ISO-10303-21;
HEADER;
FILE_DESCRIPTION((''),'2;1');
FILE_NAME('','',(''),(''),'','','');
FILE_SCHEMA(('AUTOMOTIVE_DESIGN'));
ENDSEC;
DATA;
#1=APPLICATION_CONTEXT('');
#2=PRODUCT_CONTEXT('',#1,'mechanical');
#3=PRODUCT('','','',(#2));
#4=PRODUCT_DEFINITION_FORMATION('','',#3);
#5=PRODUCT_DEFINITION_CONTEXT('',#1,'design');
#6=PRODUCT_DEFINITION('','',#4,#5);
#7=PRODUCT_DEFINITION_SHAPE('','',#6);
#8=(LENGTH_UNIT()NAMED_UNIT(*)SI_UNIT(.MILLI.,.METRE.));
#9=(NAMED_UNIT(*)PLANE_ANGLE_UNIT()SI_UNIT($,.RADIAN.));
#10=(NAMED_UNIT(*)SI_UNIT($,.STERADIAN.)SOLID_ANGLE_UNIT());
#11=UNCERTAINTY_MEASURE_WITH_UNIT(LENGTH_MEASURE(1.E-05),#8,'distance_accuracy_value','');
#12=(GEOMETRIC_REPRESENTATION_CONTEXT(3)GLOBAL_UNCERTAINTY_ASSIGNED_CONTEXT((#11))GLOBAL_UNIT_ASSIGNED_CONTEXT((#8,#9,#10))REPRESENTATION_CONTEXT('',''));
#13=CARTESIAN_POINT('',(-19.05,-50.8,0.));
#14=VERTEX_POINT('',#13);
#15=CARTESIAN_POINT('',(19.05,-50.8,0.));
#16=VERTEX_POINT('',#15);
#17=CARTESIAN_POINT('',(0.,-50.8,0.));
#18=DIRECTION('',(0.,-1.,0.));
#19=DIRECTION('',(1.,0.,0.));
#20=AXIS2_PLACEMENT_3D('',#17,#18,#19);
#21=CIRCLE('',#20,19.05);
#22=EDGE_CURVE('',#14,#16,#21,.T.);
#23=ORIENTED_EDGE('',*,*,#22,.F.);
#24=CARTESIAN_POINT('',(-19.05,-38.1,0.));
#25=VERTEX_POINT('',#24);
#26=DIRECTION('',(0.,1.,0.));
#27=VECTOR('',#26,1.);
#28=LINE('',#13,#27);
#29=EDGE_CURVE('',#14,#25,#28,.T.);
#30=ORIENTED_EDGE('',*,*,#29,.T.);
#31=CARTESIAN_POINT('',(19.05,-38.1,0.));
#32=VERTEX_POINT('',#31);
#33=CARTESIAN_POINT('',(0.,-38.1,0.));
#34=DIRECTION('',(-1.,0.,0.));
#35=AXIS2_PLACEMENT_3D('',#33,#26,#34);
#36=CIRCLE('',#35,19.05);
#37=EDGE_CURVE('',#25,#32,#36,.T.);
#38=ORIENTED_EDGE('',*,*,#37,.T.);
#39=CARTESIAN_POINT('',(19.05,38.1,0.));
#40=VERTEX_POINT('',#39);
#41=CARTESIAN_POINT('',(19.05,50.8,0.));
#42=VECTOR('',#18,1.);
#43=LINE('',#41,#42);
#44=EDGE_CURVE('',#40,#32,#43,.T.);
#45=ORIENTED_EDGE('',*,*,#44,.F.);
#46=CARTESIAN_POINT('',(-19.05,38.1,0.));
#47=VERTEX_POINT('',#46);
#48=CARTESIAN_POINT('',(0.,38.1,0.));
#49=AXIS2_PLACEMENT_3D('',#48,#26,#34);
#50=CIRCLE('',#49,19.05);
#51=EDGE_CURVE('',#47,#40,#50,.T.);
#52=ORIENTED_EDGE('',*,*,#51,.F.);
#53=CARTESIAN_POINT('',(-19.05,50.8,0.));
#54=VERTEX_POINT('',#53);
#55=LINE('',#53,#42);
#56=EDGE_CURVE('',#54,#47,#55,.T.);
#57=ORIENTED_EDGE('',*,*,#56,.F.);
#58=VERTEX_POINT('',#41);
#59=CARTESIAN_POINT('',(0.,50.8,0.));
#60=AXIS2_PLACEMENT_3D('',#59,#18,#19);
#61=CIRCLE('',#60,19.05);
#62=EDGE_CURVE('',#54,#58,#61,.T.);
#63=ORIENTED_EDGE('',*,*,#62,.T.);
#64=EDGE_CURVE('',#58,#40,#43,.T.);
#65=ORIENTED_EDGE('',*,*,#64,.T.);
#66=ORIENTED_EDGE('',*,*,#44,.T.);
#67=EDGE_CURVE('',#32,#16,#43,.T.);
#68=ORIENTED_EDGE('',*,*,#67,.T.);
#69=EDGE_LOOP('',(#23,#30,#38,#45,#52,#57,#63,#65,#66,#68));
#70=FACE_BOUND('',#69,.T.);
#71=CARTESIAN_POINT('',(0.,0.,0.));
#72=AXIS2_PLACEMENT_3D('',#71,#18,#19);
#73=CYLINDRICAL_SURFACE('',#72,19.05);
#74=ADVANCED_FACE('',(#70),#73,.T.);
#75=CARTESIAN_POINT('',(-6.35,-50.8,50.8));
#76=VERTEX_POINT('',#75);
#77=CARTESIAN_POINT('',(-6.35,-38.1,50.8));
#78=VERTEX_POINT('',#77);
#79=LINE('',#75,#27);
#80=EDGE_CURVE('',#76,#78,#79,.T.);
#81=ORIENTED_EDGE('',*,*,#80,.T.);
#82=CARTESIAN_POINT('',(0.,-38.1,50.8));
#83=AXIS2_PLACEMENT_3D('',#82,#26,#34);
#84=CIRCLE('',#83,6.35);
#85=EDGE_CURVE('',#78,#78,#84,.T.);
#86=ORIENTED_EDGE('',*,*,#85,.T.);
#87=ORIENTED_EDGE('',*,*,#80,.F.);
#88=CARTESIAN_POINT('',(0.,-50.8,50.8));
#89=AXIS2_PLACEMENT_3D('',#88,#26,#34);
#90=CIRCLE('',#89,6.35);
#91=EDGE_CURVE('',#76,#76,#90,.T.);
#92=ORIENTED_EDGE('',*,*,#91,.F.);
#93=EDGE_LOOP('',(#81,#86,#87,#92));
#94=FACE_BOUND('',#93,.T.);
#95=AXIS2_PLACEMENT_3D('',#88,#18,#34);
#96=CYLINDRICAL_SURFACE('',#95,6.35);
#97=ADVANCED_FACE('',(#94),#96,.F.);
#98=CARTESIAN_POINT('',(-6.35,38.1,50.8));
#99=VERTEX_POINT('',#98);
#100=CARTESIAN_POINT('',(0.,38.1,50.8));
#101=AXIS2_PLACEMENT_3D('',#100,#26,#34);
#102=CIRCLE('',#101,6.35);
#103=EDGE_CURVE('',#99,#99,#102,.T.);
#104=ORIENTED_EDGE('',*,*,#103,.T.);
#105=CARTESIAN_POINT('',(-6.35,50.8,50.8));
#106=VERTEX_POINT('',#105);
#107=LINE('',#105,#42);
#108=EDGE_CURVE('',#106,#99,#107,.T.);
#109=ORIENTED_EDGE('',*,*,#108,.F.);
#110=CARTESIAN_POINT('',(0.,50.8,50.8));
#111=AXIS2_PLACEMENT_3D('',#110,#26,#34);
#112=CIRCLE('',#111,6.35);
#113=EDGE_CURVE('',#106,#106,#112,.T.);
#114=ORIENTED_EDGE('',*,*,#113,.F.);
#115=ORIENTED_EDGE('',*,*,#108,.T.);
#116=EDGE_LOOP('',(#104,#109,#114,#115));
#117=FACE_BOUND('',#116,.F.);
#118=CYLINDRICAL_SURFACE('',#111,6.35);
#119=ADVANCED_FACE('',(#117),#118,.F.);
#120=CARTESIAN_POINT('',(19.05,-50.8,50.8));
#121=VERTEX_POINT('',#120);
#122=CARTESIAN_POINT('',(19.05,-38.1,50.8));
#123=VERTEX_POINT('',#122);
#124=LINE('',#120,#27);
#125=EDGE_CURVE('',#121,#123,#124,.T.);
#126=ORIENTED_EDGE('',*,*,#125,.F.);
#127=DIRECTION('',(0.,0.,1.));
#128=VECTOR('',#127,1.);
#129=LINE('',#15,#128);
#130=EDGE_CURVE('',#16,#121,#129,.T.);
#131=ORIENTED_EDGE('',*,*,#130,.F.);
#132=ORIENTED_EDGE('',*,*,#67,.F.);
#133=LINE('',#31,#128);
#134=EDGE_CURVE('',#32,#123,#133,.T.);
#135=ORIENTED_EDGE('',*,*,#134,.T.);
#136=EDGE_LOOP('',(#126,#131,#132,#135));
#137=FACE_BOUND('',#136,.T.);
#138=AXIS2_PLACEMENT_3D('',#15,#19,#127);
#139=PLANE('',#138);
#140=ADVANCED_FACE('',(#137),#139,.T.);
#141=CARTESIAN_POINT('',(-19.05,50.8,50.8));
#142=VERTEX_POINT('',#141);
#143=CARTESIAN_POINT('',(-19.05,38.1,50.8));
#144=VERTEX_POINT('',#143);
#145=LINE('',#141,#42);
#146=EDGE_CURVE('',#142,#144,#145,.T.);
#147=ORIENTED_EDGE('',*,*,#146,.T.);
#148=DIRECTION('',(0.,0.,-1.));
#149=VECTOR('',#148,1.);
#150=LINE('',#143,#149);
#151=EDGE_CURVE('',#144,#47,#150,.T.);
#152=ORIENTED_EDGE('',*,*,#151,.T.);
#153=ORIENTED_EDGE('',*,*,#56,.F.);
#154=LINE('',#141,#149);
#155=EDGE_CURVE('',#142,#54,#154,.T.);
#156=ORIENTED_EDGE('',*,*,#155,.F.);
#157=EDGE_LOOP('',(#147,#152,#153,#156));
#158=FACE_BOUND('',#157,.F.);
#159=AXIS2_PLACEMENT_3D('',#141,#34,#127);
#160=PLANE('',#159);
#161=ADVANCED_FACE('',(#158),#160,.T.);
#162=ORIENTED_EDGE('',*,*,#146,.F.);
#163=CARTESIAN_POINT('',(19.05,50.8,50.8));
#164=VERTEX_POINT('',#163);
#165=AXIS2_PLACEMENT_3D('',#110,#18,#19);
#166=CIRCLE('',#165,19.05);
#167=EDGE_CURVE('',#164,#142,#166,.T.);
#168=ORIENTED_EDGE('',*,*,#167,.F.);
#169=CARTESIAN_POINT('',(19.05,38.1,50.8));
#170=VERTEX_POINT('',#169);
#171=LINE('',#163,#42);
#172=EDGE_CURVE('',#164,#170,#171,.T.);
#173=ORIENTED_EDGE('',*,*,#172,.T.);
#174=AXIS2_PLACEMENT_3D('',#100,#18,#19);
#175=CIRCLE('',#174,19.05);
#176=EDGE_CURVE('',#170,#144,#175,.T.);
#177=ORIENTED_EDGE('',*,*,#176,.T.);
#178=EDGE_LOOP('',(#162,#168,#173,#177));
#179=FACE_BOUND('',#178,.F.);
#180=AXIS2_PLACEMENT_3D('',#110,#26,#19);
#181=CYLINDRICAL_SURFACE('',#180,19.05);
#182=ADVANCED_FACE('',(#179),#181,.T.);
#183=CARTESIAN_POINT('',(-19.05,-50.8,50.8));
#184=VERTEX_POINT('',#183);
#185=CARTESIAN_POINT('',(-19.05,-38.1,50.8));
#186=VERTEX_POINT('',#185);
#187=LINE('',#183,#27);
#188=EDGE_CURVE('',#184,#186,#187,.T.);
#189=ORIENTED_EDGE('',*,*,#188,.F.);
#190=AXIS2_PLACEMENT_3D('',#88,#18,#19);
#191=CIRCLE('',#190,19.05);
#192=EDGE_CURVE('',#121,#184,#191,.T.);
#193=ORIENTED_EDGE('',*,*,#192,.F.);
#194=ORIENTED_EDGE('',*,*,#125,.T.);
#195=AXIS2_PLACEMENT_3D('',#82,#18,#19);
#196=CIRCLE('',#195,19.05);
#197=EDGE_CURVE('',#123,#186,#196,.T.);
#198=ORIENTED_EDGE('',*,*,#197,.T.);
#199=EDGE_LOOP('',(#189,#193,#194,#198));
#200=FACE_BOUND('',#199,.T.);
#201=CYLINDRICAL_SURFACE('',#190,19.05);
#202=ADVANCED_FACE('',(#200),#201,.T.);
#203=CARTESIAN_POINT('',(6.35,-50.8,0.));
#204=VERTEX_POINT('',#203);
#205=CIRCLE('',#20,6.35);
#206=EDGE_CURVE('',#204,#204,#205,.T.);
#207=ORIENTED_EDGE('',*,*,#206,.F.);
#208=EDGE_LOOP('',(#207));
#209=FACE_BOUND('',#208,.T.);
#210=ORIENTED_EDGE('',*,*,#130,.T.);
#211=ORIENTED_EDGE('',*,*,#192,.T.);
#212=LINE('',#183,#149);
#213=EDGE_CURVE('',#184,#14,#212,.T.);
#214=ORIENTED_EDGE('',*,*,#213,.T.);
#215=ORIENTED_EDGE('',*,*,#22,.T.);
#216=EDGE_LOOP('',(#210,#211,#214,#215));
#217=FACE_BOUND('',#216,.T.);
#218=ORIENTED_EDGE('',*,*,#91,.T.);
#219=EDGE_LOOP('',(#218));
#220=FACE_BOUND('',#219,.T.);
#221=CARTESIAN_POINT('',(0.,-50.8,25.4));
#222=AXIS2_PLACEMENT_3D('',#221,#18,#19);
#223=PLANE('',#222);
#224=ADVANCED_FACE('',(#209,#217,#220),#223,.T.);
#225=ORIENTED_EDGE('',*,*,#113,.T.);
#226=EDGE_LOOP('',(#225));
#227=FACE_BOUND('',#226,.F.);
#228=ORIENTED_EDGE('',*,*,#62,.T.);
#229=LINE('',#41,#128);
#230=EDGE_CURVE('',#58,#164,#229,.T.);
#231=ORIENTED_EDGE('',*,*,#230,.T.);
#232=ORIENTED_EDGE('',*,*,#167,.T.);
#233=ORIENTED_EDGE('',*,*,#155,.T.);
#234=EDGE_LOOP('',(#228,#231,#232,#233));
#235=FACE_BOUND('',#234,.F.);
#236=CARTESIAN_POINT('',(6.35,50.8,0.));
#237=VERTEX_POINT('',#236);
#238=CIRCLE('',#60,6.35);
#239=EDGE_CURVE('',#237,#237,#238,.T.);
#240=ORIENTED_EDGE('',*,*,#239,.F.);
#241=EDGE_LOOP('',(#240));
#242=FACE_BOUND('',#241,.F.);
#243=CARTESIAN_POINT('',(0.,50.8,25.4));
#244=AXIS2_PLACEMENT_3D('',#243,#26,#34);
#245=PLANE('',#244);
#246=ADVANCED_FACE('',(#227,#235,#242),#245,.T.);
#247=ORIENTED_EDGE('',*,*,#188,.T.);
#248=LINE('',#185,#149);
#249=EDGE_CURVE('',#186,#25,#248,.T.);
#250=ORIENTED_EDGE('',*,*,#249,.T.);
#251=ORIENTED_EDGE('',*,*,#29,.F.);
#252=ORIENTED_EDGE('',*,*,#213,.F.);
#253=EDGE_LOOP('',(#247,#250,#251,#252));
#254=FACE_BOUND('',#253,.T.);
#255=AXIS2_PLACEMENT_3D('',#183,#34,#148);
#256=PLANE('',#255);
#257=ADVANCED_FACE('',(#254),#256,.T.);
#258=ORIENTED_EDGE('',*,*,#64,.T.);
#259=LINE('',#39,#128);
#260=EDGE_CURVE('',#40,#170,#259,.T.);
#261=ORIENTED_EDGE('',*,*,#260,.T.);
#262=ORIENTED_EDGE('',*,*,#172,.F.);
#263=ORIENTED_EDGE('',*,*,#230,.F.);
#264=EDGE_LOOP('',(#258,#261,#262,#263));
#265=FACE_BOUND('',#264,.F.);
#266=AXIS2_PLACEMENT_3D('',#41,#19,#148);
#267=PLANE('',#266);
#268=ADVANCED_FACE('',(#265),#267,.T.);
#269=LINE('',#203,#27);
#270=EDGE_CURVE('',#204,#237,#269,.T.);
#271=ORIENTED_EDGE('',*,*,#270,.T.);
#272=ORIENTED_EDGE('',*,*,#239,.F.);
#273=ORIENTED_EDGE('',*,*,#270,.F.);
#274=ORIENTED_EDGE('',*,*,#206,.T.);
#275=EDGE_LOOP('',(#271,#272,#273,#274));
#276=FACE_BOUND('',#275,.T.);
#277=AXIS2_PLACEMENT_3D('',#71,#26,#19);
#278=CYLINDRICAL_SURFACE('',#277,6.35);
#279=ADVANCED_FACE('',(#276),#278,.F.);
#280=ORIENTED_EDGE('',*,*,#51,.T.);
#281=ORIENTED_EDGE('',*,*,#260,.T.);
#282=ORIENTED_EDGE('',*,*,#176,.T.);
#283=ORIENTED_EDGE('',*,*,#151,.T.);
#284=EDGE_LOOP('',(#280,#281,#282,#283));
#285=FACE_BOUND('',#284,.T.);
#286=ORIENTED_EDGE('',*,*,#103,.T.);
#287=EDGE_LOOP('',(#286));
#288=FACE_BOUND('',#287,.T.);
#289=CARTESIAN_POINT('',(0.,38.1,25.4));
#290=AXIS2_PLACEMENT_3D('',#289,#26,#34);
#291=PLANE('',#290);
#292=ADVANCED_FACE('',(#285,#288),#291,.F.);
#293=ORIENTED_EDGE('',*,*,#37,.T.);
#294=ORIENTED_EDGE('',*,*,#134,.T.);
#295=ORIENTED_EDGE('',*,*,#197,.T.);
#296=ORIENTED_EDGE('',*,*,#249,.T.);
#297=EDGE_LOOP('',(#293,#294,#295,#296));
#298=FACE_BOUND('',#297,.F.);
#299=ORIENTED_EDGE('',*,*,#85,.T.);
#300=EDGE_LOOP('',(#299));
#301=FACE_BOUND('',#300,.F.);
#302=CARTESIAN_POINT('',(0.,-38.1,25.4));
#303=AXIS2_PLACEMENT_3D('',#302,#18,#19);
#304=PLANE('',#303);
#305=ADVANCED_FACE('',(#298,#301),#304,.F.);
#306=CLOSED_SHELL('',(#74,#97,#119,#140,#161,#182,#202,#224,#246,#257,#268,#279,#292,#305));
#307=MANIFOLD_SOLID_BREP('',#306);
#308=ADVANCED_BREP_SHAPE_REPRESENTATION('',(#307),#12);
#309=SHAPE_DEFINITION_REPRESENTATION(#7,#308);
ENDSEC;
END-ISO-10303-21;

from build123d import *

# Parameters (mm, degrees)
F0_R     = 19.05
F0_R_2   = 6.35
F1_DEPTH = 50.8
F3_DEPTH = 12.7


with BuildPart() as f1:
    # F0 (on Front) → F1 (new body, symmetric)
    with BuildSketch(Plane.XZ):
        Circle(F0_R)
        Circle(F0_R_2, mode=Mode.SUBTRACT)
    extrude(amount=F1_DEPTH, both=True)

    # F2 (on face) → F3 (join)
    with BuildSketch(Plane.XZ.offset(50.8)):
        with BuildLine():
            Line((-19.05, 50.8), (-19.05, 0))
            ThreePointArc((-19.05, 0), (0, 19.05), (19.05, 0))
            Line((19.05, 0), (19.05, 50.8))
            ThreePointArc((19.05, 50.8), (0, 31.75), (-19.05, 50.8))
        make_face()
        with BuildLine():
            ThreePointArc((19.05, 50.8), (0, 69.85), (-19.05, 50.8))
            Line((-19.05, 50.8), (-6.35, 50.8))
            ThreePointArc((-6.35, 50.8), (0, 57.15), (6.35, 50.8))
            Line((6.35, 50.8), (19.05, 50.8))
        make_face()
        with BuildLine():
            Line((-6.35, 50.8), (-19.05, 50.8))
            ThreePointArc((-19.05, 50.8), (0, 31.75), (19.05, 50.8))
            Line((19.05, 50.8), (6.35, 50.8))
            ThreePointArc((6.35, 50.8), (0, 44.45), (-6.35, 50.8))
        make_face()
    extrude(amount=-F3_DEPTH)

    # F4: F1 across plane


with BuildPart() as f1_1:
    add(f1.part)
    add(f1.part.mirror(Plane.XZ))


solid = f1_1.part
